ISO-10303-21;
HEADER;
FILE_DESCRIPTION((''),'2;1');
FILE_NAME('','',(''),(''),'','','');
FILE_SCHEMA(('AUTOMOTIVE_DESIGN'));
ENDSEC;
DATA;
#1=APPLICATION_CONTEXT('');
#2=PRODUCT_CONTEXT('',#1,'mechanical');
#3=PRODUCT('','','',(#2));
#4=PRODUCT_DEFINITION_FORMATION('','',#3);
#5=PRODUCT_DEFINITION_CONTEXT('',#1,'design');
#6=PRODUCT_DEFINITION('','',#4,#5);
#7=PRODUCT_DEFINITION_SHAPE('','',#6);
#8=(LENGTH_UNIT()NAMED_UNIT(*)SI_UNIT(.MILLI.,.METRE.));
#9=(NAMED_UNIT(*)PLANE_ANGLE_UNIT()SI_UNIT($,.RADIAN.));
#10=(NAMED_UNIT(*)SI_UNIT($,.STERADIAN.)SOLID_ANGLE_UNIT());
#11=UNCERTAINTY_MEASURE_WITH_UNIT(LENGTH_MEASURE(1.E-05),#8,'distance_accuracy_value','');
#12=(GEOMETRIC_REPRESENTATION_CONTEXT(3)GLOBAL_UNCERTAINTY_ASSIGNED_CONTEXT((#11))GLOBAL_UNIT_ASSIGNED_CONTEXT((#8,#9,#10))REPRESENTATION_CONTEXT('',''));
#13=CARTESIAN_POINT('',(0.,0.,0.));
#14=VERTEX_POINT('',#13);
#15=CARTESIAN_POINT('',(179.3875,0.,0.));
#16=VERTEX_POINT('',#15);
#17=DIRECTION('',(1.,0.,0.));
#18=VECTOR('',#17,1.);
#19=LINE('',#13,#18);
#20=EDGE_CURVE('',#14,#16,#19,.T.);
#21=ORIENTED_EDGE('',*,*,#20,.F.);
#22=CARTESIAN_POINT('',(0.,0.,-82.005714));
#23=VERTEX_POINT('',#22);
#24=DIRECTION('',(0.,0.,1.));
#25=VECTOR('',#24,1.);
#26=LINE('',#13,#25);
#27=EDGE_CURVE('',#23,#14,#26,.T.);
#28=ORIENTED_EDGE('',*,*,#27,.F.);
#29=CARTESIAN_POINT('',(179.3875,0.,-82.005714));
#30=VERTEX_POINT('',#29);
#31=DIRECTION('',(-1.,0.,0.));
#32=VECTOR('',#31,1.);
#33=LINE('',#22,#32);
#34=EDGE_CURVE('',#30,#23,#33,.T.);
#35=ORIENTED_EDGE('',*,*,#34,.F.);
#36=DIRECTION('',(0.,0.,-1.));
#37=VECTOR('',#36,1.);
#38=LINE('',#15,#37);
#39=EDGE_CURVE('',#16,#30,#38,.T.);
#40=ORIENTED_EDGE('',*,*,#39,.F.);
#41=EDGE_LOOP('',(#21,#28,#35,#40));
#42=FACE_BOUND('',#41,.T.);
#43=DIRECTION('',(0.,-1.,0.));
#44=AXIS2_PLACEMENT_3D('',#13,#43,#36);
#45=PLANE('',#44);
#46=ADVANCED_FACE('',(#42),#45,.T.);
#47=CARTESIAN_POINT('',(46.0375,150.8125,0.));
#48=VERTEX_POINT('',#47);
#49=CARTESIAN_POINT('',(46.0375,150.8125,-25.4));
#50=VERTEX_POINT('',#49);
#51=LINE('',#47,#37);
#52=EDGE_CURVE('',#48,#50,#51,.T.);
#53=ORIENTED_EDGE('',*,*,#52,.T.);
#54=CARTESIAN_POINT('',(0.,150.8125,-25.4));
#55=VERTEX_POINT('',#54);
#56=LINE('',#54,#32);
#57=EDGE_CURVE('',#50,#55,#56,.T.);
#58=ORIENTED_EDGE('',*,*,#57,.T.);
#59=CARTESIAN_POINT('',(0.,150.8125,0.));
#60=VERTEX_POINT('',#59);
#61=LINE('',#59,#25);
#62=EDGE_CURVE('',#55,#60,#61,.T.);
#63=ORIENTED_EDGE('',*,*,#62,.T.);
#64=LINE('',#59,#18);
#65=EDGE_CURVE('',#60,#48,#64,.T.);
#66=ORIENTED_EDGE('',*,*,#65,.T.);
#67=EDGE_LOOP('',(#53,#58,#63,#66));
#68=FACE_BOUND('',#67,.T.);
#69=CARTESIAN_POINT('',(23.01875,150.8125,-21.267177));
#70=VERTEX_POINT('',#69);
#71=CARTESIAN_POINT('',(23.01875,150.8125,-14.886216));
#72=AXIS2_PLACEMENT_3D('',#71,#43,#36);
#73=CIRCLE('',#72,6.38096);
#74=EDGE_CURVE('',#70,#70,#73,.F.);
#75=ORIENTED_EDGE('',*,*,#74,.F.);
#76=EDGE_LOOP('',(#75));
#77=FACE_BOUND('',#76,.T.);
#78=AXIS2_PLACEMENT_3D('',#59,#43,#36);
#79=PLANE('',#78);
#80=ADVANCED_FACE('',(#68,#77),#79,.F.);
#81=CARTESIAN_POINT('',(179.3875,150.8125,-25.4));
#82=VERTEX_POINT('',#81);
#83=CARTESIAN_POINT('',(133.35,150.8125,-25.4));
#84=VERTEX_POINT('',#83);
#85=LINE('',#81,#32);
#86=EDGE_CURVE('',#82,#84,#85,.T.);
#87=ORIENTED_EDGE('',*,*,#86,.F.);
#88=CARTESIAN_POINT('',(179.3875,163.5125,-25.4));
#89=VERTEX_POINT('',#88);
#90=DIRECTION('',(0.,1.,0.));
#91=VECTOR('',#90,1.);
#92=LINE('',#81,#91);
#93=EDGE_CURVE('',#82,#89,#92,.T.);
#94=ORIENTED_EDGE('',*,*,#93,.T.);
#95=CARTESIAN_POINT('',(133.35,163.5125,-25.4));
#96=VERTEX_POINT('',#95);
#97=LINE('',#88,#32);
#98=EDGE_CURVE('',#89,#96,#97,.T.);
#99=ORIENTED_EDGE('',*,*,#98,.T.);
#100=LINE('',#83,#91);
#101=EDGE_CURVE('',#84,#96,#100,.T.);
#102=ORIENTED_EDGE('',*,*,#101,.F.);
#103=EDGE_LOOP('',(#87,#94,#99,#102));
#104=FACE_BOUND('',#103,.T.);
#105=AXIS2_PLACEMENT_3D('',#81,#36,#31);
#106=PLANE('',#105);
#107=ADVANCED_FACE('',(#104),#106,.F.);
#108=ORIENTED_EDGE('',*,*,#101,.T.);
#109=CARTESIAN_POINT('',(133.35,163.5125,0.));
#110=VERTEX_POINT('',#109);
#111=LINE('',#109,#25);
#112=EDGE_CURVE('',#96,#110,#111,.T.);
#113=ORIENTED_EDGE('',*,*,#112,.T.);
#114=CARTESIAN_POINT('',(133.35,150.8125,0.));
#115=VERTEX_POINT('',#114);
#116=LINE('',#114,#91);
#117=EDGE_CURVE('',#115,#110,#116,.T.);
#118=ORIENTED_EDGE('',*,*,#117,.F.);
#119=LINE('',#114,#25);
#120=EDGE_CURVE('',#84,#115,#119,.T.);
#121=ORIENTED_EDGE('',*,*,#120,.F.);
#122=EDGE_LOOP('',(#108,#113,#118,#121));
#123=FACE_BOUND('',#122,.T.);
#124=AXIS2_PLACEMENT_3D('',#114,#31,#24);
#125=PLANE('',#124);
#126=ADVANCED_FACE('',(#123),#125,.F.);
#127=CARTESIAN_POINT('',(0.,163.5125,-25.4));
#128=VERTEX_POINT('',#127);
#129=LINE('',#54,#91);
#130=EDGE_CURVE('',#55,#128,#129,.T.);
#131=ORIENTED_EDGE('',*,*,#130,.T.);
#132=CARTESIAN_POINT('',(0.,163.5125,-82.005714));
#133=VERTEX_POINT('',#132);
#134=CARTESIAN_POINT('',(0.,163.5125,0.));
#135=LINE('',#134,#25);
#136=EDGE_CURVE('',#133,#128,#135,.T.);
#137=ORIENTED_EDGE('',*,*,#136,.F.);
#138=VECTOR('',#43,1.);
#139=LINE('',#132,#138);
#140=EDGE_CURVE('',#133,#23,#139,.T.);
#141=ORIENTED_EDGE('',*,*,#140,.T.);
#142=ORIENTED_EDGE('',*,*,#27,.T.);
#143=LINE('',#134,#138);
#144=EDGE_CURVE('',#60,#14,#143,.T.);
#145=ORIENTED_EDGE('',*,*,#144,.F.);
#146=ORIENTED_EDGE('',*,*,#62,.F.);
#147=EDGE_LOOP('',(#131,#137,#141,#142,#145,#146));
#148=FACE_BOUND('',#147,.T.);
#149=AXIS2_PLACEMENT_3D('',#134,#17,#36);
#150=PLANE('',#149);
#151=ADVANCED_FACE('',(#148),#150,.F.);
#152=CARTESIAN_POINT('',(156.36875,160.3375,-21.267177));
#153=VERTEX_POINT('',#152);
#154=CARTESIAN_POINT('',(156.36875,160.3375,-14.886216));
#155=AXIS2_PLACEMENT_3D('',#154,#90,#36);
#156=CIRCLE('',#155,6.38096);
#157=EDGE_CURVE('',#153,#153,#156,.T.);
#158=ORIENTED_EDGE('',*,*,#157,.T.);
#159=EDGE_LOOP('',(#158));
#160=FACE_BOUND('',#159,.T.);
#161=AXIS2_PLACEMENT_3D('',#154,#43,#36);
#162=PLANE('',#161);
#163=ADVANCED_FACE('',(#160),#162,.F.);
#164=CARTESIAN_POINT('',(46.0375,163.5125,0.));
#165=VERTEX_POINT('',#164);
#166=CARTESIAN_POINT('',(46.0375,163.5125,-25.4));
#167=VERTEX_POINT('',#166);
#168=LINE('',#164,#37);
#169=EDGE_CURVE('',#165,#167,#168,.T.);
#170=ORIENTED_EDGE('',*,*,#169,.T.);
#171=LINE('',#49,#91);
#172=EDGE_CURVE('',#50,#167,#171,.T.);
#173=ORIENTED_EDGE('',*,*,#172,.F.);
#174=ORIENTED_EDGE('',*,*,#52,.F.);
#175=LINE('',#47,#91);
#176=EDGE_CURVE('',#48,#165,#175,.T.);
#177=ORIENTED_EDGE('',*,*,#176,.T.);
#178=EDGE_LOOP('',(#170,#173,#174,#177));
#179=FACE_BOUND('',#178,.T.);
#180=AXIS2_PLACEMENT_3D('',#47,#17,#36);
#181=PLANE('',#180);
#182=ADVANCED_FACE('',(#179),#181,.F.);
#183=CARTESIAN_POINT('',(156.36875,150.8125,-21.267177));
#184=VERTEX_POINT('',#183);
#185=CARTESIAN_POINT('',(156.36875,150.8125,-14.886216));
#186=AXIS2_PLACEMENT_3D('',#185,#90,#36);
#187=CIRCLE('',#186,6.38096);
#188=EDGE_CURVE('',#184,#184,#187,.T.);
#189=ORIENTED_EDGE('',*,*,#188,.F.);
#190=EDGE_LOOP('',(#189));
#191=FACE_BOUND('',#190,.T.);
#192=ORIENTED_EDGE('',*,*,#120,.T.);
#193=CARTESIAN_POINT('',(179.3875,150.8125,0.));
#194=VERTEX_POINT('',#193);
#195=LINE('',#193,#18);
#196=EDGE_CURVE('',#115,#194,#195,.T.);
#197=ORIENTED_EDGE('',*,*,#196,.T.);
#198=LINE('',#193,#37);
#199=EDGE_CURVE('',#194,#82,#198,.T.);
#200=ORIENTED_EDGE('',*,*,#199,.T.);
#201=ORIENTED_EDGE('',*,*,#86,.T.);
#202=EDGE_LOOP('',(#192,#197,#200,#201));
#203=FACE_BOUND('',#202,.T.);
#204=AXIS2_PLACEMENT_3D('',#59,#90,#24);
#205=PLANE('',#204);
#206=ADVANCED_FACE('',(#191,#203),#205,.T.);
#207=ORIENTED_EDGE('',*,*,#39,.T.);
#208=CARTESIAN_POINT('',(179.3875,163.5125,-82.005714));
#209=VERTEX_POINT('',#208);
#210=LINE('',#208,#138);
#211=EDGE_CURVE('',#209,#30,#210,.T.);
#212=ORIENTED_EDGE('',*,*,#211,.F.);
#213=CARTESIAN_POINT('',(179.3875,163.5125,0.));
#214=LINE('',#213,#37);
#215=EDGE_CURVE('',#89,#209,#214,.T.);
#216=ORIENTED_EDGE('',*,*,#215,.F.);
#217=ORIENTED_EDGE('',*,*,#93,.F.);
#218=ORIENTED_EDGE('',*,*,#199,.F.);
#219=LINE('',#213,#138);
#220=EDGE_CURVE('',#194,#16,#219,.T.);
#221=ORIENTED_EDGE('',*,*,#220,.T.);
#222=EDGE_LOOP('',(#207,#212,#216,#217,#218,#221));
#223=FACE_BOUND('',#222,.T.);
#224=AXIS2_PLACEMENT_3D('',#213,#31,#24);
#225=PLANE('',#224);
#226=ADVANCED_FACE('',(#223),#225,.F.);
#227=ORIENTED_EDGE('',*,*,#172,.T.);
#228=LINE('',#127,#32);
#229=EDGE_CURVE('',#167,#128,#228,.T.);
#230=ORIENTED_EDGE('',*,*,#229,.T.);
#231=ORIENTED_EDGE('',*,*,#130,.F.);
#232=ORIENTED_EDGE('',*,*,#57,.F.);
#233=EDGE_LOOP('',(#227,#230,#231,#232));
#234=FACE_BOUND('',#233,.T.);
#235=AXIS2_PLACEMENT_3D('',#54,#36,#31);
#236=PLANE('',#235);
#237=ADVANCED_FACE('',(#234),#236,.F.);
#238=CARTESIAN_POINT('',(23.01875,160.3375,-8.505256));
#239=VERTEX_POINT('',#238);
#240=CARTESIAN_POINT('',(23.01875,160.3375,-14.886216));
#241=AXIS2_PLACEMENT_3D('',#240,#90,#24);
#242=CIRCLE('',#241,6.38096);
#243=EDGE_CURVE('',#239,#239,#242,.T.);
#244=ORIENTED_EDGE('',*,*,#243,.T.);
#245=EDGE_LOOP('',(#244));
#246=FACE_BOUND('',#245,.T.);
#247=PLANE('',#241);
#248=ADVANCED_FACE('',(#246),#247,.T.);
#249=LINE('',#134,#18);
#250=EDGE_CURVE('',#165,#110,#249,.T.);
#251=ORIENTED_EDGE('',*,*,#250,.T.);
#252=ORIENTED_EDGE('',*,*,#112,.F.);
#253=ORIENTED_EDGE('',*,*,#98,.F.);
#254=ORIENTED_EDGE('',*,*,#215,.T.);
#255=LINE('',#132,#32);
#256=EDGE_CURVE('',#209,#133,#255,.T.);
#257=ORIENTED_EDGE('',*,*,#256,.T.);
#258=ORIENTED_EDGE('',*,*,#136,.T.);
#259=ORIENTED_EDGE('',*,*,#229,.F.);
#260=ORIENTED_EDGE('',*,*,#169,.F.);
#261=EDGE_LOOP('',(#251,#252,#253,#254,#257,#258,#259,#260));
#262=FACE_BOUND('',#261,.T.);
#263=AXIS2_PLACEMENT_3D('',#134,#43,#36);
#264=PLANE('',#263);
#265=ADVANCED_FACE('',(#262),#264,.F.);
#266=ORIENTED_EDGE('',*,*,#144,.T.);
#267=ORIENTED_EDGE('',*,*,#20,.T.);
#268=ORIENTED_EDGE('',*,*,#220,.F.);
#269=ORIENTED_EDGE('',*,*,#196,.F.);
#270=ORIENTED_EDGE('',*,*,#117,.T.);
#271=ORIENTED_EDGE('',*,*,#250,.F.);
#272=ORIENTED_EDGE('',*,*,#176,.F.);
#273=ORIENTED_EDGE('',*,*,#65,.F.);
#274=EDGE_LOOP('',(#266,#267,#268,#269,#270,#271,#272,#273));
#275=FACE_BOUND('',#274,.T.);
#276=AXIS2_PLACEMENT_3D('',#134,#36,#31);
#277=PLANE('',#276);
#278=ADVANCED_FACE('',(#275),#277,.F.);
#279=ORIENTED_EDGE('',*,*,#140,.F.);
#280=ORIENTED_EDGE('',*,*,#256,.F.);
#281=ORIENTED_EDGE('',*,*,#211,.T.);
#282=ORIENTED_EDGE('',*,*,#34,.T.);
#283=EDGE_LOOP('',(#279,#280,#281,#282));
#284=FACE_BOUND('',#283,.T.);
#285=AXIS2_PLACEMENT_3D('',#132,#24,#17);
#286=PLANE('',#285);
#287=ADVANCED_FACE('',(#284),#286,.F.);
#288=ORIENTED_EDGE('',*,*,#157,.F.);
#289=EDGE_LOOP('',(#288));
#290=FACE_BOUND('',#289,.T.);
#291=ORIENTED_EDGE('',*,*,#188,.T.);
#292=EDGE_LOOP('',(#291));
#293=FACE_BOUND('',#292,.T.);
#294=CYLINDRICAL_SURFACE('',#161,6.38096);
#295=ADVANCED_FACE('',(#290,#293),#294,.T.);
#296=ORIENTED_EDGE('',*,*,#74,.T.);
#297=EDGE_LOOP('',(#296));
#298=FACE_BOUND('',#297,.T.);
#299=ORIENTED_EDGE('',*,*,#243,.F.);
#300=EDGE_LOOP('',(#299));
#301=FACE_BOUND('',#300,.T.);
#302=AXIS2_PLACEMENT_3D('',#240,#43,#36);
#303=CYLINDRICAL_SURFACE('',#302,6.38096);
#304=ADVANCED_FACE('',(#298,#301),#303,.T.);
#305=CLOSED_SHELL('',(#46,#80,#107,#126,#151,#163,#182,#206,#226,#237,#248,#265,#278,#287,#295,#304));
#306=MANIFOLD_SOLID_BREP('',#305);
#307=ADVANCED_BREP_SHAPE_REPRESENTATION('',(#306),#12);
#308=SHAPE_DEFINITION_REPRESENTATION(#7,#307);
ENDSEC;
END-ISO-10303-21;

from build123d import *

# Parameters (mm, degrees)
SKETCH1_W           = 179.3875
SKETCH1_H           = 82.005714286
BOSS_EXTRUDE1_DEPTH = 163.5125
SKETCH2_W           = 46.0375
SKETCH2_H           = 25.4
CUT_EXTRUDE1_DEPTH  = 12.7
SKETCH3_R           = 6.380960286
BOSS_EXTRUDE2_DEPTH = 9.525


with BuildPart() as part:
    # Sketch1 → Boss-Extrude1 (new body)
    with BuildSketch(Plane(origin=(0, 0, 0), x_dir=(1, 0, 0), z_dir=(0, 1, 0))):
        with Locations((89.69375, 41.002857143)):
            Rectangle(SKETCH1_W, SKETCH1_H)
    extrude(amount=BOSS_EXTRUDE1_DEPTH)

    # Sketch2 → Cut-Extrude1 (cut)
    with BuildSketch(Plane(origin=(0, 163.5125, 0), x_dir=(1, 0, 0), z_dir=(0, 1, 0))):
        with Locations((23.01875, 12.7)):
            Rectangle(SKETCH2_W, SKETCH2_H)
        with Locations((156.36875, 12.7)):
            Rectangle(SKETCH2_W, SKETCH2_H)
    extrude(amount=-CUT_EXTRUDE1_DEPTH, mode=Mode.SUBTRACT)

    # Sketch3 → Boss-Extrude2 (add)
    with BuildSketch(Plane(origin=(0, 150.8125, 0), x_dir=(1, 0, 0), z_dir=(0, 1, 0))):
        with Locations((23.01875, 14.886216264)):
            Circle(SKETCH3_R)
        with Locations((156.36875, 14.886216264)):
            Circle(SKETCH3_R)
    extrude(amount=BOSS_EXTRUDE2_DEPTH)


solid = part.part
